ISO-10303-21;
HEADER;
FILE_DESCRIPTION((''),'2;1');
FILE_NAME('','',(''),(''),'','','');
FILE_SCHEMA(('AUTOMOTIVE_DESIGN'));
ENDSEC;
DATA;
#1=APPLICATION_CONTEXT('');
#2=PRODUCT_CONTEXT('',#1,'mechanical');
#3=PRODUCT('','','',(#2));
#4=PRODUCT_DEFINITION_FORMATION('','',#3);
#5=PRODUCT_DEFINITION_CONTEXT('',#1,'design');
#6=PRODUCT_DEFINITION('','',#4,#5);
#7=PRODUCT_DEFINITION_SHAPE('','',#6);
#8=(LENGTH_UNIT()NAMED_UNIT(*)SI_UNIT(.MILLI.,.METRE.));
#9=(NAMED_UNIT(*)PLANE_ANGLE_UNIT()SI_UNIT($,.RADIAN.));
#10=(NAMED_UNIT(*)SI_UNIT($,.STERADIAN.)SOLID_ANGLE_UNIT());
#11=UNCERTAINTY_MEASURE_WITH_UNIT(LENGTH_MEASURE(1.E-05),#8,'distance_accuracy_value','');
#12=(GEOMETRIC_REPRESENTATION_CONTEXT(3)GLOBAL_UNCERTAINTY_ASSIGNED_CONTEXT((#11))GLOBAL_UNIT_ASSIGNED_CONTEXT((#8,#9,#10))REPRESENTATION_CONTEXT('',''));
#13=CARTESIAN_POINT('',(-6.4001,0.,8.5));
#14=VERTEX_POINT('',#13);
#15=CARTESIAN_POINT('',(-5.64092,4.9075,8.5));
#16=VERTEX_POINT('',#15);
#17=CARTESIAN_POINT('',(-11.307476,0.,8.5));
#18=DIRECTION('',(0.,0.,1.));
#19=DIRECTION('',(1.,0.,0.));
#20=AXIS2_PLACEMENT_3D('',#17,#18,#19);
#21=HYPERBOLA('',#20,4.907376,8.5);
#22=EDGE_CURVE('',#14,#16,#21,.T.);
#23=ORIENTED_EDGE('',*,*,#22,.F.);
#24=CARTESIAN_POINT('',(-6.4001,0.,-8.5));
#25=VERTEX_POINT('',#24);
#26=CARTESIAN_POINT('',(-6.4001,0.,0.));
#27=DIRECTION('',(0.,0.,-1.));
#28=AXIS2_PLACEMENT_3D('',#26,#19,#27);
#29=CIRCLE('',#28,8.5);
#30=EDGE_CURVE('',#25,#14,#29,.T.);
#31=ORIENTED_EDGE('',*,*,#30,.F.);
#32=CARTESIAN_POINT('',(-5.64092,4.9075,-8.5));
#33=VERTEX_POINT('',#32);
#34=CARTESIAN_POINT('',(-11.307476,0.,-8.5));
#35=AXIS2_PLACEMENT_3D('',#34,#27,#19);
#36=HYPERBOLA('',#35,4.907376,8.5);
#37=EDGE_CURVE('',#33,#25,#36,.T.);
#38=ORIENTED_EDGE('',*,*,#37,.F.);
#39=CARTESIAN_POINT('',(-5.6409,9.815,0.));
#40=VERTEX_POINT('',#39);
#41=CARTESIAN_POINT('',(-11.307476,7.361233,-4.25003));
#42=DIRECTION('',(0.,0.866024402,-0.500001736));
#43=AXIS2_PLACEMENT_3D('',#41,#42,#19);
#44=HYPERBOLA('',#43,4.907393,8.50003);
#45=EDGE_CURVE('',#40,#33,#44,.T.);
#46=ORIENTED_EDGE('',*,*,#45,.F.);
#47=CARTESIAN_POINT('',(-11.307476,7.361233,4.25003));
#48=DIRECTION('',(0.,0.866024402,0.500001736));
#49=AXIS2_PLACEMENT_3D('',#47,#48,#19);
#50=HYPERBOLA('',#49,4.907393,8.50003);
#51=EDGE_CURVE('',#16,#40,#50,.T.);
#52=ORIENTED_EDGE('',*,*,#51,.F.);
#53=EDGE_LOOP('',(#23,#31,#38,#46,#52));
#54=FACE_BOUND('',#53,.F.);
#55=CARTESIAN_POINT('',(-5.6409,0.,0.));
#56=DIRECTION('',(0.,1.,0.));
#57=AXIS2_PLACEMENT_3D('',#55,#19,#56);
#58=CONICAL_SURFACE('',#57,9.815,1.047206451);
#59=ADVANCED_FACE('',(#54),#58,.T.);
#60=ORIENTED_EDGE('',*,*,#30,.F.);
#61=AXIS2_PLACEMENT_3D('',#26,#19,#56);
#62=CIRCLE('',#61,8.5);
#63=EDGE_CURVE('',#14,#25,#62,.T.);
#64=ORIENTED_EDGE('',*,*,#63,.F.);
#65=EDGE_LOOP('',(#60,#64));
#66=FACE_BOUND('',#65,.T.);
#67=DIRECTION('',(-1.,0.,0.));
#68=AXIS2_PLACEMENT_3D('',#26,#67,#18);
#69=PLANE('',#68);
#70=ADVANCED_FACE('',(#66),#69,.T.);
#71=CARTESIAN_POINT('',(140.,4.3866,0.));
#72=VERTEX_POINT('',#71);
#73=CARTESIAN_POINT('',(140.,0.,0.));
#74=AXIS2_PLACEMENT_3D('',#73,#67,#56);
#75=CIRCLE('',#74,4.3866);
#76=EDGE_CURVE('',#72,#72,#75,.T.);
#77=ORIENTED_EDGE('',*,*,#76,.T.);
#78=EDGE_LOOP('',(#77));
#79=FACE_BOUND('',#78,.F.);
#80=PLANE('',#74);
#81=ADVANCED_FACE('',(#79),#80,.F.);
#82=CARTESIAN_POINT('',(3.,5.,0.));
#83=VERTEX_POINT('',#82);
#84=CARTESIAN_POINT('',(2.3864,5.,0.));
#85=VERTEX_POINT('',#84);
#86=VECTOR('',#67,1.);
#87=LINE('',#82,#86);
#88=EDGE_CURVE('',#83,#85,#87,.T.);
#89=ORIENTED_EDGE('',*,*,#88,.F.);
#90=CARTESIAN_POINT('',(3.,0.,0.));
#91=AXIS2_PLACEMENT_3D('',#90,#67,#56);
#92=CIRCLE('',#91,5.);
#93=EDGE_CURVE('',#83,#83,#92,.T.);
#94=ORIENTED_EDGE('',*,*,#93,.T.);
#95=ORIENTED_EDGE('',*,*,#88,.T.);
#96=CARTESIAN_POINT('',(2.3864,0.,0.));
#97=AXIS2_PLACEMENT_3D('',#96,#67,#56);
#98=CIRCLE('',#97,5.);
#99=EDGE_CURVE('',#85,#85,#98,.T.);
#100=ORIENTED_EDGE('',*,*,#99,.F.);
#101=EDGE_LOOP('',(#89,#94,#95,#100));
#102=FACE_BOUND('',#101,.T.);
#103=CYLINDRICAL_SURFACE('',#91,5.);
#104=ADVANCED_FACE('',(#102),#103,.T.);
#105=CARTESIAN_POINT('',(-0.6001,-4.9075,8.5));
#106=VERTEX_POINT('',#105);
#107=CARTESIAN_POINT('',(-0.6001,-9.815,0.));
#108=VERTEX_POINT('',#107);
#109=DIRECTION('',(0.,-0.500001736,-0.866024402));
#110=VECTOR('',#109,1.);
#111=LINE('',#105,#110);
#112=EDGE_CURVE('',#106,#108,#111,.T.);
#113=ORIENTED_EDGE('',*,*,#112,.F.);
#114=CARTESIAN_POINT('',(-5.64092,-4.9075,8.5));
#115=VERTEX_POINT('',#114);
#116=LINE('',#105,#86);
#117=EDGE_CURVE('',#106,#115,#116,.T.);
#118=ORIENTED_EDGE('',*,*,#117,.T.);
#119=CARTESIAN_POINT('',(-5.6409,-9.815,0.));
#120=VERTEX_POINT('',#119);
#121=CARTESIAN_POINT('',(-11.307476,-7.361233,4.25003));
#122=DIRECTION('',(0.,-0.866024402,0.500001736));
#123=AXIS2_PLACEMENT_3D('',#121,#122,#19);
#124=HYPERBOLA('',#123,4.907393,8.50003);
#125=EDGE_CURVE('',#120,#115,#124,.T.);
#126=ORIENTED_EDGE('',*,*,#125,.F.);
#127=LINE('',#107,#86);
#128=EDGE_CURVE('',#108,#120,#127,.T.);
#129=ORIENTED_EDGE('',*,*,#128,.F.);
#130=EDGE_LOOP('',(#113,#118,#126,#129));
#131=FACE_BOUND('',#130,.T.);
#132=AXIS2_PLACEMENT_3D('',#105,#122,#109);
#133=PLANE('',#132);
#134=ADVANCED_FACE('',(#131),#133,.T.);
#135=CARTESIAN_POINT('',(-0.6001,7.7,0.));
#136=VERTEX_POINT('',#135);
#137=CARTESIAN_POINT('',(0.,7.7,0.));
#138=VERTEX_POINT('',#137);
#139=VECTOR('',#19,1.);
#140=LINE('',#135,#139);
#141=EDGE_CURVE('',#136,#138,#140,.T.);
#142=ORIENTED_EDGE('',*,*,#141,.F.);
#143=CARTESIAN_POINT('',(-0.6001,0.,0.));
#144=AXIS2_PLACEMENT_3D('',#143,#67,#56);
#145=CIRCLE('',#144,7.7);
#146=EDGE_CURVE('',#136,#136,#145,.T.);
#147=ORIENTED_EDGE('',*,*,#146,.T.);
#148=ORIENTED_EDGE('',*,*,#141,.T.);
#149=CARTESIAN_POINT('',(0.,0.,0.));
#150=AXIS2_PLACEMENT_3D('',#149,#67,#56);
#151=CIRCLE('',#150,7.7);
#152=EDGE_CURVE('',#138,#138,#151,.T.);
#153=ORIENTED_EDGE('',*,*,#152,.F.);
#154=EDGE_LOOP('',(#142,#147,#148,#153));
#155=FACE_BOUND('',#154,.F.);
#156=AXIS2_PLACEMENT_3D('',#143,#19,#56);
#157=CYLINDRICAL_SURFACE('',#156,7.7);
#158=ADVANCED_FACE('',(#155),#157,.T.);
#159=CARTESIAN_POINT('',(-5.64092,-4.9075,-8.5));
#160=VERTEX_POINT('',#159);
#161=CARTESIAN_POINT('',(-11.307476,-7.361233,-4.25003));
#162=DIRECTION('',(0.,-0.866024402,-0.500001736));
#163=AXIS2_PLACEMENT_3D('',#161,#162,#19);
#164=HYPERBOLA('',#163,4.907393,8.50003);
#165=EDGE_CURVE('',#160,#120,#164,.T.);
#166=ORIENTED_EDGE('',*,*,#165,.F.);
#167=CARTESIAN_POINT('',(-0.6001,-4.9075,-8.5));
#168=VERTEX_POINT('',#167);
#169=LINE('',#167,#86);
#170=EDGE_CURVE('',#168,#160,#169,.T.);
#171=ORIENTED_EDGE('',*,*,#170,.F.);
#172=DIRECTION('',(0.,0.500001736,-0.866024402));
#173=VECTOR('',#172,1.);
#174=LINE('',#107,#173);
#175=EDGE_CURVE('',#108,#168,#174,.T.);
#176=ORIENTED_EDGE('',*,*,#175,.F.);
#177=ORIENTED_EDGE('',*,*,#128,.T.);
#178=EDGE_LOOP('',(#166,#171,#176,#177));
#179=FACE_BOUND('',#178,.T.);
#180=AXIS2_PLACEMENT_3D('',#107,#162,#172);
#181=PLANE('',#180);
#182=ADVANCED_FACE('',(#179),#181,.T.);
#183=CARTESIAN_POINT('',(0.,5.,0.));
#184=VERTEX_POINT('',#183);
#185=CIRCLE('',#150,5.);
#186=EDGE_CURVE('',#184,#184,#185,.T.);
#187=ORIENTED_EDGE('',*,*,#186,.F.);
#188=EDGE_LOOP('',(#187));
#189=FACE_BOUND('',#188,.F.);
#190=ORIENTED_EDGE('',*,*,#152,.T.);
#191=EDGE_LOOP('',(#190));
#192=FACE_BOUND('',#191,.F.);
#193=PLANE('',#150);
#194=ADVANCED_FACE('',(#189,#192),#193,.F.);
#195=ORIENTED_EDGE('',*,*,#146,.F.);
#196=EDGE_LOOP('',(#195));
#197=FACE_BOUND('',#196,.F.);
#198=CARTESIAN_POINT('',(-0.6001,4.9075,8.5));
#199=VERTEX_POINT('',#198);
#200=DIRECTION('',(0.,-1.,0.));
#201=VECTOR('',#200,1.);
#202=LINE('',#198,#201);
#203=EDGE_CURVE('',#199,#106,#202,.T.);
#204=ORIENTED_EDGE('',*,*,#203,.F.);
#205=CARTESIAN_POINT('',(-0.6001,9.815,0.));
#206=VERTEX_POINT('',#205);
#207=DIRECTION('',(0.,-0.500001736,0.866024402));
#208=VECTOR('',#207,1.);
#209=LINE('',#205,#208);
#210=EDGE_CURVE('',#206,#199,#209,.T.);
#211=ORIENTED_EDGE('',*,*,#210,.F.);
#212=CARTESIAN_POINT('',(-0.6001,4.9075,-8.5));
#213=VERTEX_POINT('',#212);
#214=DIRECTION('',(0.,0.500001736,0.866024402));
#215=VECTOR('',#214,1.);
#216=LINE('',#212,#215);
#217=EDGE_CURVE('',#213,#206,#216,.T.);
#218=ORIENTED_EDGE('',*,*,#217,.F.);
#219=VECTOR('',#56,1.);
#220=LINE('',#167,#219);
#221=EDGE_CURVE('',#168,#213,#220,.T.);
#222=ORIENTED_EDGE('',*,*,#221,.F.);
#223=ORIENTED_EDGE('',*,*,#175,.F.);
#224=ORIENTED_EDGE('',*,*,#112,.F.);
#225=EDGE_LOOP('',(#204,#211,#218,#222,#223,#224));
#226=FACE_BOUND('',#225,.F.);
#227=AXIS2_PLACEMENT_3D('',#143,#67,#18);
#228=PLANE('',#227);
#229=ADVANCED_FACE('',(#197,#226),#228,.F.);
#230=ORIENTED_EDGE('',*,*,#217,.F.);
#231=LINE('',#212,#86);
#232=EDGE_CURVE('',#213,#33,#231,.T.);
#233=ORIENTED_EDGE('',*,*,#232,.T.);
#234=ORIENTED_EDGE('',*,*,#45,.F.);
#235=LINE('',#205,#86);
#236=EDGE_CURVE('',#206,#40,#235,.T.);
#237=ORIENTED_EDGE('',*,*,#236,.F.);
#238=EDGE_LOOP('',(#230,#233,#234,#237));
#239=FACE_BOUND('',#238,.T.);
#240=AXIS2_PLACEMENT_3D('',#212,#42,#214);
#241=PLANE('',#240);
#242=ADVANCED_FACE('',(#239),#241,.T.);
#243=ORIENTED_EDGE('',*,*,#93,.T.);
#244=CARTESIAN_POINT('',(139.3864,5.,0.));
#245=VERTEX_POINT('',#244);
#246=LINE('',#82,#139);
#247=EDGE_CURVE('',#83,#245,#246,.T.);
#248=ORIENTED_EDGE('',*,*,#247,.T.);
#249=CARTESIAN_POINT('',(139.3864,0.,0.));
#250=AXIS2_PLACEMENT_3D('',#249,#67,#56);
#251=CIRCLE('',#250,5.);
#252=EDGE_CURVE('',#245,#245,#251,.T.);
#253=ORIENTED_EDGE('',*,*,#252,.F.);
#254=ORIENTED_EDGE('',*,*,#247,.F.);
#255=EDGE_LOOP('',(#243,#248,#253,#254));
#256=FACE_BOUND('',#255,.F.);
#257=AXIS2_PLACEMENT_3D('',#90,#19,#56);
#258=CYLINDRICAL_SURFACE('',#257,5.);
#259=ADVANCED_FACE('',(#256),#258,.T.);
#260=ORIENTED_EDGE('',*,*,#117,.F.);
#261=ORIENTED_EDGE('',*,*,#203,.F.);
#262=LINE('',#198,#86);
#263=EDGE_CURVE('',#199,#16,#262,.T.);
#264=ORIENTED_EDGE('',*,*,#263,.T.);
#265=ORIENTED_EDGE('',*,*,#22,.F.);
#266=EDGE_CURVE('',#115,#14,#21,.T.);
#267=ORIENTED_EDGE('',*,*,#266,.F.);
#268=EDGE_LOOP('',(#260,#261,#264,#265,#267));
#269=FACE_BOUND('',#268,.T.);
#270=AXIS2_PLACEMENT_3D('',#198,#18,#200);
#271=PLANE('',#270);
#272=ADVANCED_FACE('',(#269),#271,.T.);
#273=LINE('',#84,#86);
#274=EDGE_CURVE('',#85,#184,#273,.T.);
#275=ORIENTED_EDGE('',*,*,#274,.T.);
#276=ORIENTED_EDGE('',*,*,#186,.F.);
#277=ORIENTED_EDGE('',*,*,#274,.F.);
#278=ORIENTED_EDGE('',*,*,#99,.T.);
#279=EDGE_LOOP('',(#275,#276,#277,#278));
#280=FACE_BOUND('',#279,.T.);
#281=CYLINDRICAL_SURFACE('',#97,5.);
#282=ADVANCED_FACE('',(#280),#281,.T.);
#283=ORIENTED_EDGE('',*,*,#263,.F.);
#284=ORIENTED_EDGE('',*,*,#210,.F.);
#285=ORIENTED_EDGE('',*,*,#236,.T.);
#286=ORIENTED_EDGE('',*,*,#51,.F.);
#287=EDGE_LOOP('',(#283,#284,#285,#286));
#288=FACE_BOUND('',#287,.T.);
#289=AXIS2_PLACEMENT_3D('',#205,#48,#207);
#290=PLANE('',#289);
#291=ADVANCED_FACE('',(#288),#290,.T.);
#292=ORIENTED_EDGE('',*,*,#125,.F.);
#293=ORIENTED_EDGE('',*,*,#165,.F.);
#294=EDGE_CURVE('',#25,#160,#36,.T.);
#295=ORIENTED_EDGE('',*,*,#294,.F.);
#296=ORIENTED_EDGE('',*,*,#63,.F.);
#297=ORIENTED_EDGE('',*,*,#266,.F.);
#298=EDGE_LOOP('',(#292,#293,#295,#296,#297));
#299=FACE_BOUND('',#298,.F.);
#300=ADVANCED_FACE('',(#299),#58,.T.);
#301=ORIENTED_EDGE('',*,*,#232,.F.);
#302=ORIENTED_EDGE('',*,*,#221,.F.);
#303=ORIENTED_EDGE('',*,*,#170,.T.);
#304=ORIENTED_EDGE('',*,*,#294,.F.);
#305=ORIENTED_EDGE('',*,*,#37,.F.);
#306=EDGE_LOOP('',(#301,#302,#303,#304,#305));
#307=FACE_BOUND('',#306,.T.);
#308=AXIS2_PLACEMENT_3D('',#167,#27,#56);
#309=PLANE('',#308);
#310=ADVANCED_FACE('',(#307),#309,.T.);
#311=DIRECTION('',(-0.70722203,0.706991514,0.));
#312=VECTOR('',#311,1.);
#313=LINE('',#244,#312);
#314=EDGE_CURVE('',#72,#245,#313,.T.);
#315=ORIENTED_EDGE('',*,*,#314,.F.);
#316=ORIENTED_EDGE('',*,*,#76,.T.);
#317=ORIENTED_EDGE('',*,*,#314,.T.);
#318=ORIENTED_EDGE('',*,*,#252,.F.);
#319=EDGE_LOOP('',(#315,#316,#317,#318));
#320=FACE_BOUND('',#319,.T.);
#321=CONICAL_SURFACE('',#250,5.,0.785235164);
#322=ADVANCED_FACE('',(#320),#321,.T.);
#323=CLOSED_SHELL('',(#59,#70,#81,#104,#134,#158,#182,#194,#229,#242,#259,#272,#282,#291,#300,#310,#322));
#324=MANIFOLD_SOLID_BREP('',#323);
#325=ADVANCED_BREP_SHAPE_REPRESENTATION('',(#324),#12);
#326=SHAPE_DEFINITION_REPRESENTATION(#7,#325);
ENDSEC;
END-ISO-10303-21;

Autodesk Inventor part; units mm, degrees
ref_plane "YZ Plane" through (0, 0, 0) normal (1, 0, 0) x (0, 1, 0)
ref_plane "XZ Plane" through (0, 0, 0) normal (0, 1, 0) x (-1, 0, 0)
sketch "Skizze1" plane through (0, 0, 0) normal (0, 0, 1) x (1, 0, 0)
  line L0 (0, 7.7) -> (0, 5)
  line L1 (3, 5) -> (140, 5)
  line L2 (140, 5) -> (140, 0)
  line L3 (140, 0) -> (-0.6001, 0)
  line L4 (-28.7201, 0) -> (168.12, 0) projected
  line L5 (-0.6001, 0) -> (-0.6001, 7.7)
  line L6 (-0.6001, 7.7) -> (0, 7.7)
  line L7 (3, 5) -> (2.3864, 5)
  line L8 (2.3864, 5) -> (0, 5)
  line L9 (0, -1.54) -> (0, 9.24) projected
  dimension "d0" = 140
  dimension "d1" = 137
  dimension "d2" = 10
  dimension "d9" = 0.6001
  dimension "d10" = 15.4
  dimension "d13" = 0.6136
  dimension "d14" = 10
revolve "Körper" add sketch "Skizze1" angle 360 about axis through (140, 0, 0) along (-1, 0, 0)
sketch "Skizze2" plane through (-0.6001, 0, 0) normal (-1, 0, 0) x (0, 0, 1)
  line L0 (0, 9.815) -> (8.5, 4.9075)
  line L1 (8.5, 4.9075) -> (8.5, -4.9075)
  line L2 (8.5, -4.9075) -> (0, -9.815)
  line L3 (0, -9.815) -> (-8.5, -4.9075)
  line L4 (-8.5, -4.9075) -> (-8.5, 4.9075)
  line L5 (-8.5, 4.9075) -> (0, 9.815)
  point P0 (0, 0)
  point P1 (0, 0)
  dimension "d11" = 17
extrude "Kopf" add sketch "Skizze2" along normal blind 5.8
sketch "Skizze4" plane through (0, 0, 0) normal (0, 0, 1) x (1, 0, 0)
  line L0 (-6.4001, 8.5) -> (-6.4001, 9.815)
  line L1 (-6.4001, 9.815) -> (-5.6409, 9.815)
  line L2 (-5.6409, 9.815) -> (-6.4001, 8.5)
  line L3 (-7.5601, 0) -> (0.5599, 0) projected
  line L4 (-0.6001, 9.815) -> (-6.4001, 9.815) projected
  line L5 (-6.4001, 4.9075) -> (-6.4001, 9.815) projected
  dimension "d5" = 30
  dimension "d19" = 17
revolve "Fase1" cut sketch "Skizze4" angle 360 about axis through (-10, 0, 0) along (1, 0, 0)
thread "Gewinde" size "M10x1" class "6g" standard "ISO Metric profile" length 137
chamfer "Fase2" distance 0.6134 distance2 0.6136 1 edges at (140, -5, 0) measured on face at (140, 2.3641, -0.6817)
ref_plane "Work Plane1" through (1.525, 0, 0) normal (0, 0, 1) x (1, 0, 0)
equation "\"d0\" = NLG"
equation "\"d1\" = GEL"
equation "\"d2\" = GD"
equation "\"d10\" = SD2"
equation "\"d14\" = BDM"
equation "\"d11\" = SW"
equation "\"d3\" = KOH - SD"
equation "\"d5\" = ANG1"
equation "\"d19\" = SW0"
equation "\"d15\" = GEL"
equation "\"d6\" = -0.5 * SPD + 0.5 * GD"
equation "\"NLG\" = 140"
equation "\"GD\" = NND"
equation "\"BDM\" = NND"
equation "\"KOH\" = 6.4"
equation "\"GEL\" = 137"
equation "\"SW\" = 17"
equation "\"SW0\" = 17"
equation "\"SPD\" = NND - 1.2269 * PTC"
equation "\"SD2\" = 15.4"
equation "\"SD\" = 0.6"
equation "\"ANG1\" = 30deg"
equation "\"GAL\" = 0.61345 * PTC"
equation "\"GUL\" = 0.61345 * PTC"
equation "\"RR\" = 0"
equation "\"GD1\" = THREADDIA - 1.2269 * PTC"
equation "\"TOA\" = 30deg"
equation "\"FAWI\" = 45deg"
equation "\"PTC\" = 1"
equation "\"E0\" = 1.155 * SW"
equation "\"NND\" = 10"
equation "\"THREADDIA\" = 10"
properties part number "DIN 961 - M10 x 140" material "Stahl, weich"
